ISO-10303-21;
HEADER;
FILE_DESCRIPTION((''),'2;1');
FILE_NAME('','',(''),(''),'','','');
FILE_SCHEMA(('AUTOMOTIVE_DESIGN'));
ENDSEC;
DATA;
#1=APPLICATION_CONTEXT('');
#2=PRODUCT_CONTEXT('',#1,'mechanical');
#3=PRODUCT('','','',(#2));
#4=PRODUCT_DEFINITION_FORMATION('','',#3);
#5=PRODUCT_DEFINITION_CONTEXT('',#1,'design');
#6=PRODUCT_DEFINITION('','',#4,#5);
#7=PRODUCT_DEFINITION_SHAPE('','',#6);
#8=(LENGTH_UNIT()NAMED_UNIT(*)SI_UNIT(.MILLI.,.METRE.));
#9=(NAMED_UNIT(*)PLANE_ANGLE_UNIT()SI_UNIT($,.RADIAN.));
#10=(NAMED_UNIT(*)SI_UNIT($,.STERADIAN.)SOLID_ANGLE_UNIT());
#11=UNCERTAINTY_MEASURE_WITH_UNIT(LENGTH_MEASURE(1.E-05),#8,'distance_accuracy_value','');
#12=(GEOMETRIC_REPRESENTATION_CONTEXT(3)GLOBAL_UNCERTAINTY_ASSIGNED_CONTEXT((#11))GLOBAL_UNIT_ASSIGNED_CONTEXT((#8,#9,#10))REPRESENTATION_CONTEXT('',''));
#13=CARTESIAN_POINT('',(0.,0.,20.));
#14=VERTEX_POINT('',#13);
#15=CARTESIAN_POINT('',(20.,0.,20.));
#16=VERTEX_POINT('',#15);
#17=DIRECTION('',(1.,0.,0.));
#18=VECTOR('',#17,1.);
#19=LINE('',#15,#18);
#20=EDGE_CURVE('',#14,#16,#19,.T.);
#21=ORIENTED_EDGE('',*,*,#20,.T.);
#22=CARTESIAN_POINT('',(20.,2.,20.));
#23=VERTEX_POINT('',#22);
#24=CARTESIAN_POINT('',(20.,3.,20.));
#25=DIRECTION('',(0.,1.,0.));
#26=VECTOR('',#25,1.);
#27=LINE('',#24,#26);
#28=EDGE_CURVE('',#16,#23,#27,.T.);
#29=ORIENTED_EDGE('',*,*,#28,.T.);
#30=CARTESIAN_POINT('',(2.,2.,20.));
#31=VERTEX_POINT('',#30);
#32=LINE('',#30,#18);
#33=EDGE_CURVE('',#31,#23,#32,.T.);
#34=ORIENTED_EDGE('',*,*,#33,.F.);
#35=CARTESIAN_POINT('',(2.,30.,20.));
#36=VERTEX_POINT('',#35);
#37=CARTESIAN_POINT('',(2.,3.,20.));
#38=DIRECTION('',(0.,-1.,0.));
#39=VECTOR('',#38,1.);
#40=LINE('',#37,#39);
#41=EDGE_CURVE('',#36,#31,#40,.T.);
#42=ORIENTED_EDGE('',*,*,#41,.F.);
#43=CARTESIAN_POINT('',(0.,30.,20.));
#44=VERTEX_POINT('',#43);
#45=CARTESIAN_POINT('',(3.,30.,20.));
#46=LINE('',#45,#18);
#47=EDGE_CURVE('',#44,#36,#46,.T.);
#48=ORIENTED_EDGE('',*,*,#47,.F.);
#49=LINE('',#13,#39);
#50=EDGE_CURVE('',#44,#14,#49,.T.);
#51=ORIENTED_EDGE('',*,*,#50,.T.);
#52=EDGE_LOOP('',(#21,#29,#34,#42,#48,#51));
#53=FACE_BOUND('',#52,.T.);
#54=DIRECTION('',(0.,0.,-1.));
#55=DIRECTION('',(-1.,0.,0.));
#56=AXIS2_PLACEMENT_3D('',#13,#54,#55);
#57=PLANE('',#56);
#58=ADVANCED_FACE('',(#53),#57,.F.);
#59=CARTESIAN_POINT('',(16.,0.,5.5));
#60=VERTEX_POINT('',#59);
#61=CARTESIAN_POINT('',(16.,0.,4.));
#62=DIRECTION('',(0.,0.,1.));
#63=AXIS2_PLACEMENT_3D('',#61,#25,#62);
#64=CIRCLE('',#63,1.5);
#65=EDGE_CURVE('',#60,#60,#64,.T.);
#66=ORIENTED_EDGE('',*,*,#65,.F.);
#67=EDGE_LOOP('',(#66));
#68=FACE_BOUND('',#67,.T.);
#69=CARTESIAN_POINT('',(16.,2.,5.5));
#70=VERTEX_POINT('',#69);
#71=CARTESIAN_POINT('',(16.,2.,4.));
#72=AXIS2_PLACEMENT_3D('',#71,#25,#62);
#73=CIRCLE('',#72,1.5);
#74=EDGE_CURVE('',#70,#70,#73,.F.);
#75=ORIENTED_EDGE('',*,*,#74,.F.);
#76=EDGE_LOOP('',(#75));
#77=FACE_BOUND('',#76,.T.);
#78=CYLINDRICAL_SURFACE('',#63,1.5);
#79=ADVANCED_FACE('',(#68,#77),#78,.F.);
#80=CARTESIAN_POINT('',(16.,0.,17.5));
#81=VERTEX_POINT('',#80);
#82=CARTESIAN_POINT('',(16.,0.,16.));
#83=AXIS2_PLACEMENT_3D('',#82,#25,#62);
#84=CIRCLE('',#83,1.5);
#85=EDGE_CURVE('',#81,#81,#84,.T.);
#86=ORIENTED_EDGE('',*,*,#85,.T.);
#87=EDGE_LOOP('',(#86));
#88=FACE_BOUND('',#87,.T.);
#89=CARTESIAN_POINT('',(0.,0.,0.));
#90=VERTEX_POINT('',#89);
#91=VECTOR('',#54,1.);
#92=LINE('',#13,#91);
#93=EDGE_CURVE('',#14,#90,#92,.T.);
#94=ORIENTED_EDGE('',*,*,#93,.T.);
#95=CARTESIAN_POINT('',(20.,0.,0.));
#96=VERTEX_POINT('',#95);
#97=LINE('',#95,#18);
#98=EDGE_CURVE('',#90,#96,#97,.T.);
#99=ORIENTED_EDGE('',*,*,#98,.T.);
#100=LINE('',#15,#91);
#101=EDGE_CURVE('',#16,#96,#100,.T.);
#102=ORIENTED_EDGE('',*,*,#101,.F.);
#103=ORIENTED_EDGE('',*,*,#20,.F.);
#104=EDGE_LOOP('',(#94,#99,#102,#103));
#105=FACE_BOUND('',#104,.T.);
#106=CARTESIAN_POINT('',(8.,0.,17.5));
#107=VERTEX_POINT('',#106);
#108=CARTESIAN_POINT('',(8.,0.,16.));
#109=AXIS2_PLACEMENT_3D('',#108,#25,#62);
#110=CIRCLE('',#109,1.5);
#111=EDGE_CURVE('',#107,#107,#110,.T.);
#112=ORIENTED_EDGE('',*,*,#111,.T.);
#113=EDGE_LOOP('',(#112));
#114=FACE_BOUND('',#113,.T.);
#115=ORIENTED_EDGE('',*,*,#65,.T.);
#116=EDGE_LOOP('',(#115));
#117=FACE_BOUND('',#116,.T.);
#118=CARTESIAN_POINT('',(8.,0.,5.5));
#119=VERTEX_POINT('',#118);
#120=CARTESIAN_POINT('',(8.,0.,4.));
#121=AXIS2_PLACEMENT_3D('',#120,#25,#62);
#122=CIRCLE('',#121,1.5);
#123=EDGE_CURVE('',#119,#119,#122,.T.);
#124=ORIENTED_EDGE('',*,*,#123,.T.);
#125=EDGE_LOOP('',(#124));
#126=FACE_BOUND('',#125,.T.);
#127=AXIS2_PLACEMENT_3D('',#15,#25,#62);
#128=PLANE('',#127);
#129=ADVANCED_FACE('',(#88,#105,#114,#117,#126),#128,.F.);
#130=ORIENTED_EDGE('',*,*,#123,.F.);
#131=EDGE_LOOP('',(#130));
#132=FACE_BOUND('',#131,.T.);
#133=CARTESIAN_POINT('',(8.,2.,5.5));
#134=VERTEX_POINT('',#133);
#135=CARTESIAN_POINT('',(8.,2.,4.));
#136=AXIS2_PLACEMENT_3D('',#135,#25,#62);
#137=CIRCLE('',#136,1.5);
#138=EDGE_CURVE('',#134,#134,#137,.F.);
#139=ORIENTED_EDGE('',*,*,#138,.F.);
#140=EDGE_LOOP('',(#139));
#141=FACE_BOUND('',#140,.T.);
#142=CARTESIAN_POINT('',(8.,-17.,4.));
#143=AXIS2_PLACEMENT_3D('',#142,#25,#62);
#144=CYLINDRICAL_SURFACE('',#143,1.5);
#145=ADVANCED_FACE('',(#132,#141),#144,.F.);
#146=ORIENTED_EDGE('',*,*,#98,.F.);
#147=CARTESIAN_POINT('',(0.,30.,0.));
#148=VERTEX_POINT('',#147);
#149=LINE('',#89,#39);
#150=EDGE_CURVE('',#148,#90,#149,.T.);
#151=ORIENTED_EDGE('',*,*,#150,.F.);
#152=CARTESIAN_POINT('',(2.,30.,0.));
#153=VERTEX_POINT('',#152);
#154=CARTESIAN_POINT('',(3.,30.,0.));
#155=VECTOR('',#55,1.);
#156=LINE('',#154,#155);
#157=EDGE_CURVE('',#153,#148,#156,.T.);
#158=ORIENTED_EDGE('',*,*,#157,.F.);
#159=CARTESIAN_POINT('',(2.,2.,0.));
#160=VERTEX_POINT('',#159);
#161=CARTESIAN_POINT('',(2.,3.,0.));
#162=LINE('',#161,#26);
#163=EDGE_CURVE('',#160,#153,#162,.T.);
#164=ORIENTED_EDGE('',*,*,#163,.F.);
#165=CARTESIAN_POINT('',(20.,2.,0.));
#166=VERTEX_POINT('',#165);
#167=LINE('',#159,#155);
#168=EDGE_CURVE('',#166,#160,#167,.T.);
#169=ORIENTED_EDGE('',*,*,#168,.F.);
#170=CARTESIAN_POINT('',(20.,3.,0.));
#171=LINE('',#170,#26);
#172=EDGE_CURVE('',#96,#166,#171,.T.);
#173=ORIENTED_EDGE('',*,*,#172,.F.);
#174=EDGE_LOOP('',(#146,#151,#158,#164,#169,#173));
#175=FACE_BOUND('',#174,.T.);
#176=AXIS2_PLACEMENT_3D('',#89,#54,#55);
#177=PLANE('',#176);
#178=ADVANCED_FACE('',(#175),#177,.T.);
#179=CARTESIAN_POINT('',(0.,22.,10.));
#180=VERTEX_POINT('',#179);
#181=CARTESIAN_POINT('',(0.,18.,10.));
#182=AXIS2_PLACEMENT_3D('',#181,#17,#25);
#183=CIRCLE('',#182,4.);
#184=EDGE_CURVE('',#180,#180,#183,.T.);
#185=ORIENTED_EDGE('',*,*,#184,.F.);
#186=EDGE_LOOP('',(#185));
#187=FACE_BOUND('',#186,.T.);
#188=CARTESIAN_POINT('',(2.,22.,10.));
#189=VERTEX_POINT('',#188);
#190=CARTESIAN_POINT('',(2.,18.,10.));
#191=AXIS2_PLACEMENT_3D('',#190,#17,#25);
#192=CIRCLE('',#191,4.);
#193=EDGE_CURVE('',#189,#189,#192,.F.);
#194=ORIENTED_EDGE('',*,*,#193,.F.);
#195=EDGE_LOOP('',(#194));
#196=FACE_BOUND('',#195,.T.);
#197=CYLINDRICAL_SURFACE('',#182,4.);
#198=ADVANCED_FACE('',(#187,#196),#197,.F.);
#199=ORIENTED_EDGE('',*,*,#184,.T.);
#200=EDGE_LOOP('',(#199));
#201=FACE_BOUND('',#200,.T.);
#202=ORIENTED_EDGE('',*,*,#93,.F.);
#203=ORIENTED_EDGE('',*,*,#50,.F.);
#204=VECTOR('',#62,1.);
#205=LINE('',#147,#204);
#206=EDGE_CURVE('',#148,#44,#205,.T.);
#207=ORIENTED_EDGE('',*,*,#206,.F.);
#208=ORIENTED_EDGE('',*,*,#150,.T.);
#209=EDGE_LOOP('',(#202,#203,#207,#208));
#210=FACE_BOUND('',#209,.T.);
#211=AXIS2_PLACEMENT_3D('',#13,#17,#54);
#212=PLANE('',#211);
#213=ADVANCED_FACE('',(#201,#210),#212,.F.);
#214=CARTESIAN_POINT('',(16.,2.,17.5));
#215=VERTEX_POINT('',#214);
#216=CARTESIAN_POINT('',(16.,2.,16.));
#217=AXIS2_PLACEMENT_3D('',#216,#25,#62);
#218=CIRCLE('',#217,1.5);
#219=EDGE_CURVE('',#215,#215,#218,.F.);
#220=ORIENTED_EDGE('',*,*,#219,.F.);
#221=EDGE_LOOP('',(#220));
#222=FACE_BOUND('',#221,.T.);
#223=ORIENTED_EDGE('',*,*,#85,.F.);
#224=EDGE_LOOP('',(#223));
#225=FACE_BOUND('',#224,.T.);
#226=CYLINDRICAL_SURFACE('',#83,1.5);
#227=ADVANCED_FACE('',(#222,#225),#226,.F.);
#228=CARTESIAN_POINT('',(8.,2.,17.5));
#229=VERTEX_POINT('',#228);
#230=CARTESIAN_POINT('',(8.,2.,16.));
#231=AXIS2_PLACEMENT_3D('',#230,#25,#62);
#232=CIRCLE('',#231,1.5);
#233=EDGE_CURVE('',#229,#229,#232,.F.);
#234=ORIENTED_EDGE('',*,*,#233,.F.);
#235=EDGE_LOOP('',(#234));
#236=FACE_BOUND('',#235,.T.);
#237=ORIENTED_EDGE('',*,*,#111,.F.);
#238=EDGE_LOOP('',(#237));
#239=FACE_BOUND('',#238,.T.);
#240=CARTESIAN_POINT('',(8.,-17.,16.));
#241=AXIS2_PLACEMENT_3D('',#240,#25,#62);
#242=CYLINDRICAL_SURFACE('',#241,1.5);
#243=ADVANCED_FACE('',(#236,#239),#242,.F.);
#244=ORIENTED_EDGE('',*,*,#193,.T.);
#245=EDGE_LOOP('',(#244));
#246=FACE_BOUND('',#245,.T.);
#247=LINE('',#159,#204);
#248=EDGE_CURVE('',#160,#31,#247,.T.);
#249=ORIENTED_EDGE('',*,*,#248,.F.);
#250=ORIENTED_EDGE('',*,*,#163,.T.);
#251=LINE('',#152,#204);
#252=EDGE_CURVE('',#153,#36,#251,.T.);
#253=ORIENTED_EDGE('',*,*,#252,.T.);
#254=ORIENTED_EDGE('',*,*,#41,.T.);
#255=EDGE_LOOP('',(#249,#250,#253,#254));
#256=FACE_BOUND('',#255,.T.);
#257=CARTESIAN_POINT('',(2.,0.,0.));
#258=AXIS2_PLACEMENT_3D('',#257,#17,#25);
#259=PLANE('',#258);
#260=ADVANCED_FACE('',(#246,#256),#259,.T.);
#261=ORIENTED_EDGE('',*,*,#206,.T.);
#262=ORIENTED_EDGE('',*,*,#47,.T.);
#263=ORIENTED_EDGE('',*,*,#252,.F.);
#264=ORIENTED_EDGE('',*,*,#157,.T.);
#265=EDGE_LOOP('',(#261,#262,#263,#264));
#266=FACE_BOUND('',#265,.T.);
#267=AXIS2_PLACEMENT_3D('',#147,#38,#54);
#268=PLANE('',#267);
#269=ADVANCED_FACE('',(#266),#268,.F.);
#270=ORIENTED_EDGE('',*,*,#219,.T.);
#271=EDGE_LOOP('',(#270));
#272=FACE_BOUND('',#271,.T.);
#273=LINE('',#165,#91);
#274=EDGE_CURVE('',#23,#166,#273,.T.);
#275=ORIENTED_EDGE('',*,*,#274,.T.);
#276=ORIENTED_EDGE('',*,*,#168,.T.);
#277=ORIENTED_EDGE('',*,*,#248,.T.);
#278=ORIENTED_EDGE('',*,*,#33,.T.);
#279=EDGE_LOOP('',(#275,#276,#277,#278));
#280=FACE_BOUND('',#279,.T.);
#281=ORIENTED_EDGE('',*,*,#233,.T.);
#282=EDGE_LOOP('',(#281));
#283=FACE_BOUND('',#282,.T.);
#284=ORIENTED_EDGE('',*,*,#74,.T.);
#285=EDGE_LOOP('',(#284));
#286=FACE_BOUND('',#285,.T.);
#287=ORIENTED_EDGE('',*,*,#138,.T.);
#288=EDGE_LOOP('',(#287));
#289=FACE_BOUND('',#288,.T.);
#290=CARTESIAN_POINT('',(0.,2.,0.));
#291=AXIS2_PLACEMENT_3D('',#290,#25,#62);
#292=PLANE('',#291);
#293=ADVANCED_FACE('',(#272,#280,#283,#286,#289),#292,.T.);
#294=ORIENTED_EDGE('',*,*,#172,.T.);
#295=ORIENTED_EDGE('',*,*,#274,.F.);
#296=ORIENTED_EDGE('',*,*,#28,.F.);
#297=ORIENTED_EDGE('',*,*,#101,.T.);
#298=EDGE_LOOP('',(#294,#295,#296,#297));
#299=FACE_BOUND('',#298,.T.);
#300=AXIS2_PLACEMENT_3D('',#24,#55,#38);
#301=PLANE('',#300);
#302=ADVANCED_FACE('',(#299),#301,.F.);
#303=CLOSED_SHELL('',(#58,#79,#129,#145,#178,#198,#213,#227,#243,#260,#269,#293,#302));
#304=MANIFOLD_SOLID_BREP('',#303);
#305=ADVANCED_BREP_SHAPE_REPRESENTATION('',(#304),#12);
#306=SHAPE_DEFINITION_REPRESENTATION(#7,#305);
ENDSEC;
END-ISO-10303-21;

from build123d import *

# Parameters (mm, degrees)
EXTRUDE_1_DEPTH     = 20
SKETCH_2_R          = 1.5
CUT_EXTRUDE_1_DEPTH = 4
SKETCH_3_R          = 4
CUT_EXTRUDE_2_DEPTH = 4
SKETCH_4_R          = 1.5
CUT_EXTRUDE_3_DEPTH = 20
SKETCH_5_W          = 3
SKETCH_5_H          = 20
CUT_EXTRUDE_4_DEPTH = 8
SKETCH_6_W          = 20
SKETCH_6_H          = 27
CUT_EXTRUDE_5_DEPTH = 1
SKETCH_7_W          = 18
SKETCH_7_H          = 20
CUT_EXTRUDE_6_DEPTH = 1


with BuildPart() as part:
    # 草图1 → 凸台-拉伸1 (new body)
    with BuildSketch(Plane.XY):
        Polygon((0, 0), (0, 38), (3, 38), (3, 3), (20, 3), (20, 0), align=None)
    extrude(amount=EXTRUDE_1_DEPTH)

    # 草图2 → 切除-拉伸1 (cut, through all)
    with BuildSketch(Plane(origin=(0, 3, 0), x_dir=(1, 0, 0), z_dir=(0, 1, 0))):
        with Locations((16, -16)):
            Circle(SKETCH_2_R)
        with Locations((16, -4)):
            Circle(SKETCH_2_R)
    extrude(amount=-CUT_EXTRUDE_1_DEPTH, mode=Mode.SUBTRACT)

    # 草图3 → 切除-拉伸2 (cut, through all)
    with BuildSketch(Plane(origin=(3, 0, 0), x_dir=(0, 0, -1), z_dir=(1, 0, 0))):
        with Locations((-10, 18)):
            Circle(SKETCH_3_R)
    extrude(amount=-CUT_EXTRUDE_2_DEPTH, mode=Mode.SUBTRACT)

    # 草图4 → 切除-拉伸3 (cut)
    with BuildSketch(Plane(origin=(0, 3, 0), x_dir=(1, 0, 0), z_dir=(0, 1, 0))):
        with Locations((8, -16)):
            Circle(SKETCH_4_R)
        with Locations((8, -4)):
            Circle(SKETCH_4_R)
    extrude(amount=-CUT_EXTRUDE_3_DEPTH, mode=Mode.SUBTRACT)

    # 草图5 → 切除-拉伸4 (cut)
    with BuildSketch(Plane(origin=(0, 38, 0), x_dir=(1, 0, 0), z_dir=(0, 1, 0))):
        with Locations((1.5, -10)):
            Rectangle(SKETCH_5_W, SKETCH_5_H)
    extrude(amount=-CUT_EXTRUDE_4_DEPTH, mode=Mode.SUBTRACT)

    # 草图6 → 切除-拉伸5 (cut)
    with BuildSketch(Plane(origin=(3, 0, 0), x_dir=(0, 0, -1), z_dir=(1, 0, 0))):
        with Locations((-10, 16.5)):
            Rectangle(SKETCH_6_W, SKETCH_6_H)
    extrude(amount=-CUT_EXTRUDE_5_DEPTH, mode=Mode.SUBTRACT)

    # 草图7 → 切除-拉伸6 (cut)
    with BuildSketch(Plane(origin=(0, 3, 0), x_dir=(1, 0, 0), z_dir=(0, 1, 0))):
        with Locations((11, -10)):
            Rectangle(SKETCH_7_W, SKETCH_7_H)
    extrude(amount=-CUT_EXTRUDE_6_DEPTH, mode=Mode.SUBTRACT)


solid = part.part
